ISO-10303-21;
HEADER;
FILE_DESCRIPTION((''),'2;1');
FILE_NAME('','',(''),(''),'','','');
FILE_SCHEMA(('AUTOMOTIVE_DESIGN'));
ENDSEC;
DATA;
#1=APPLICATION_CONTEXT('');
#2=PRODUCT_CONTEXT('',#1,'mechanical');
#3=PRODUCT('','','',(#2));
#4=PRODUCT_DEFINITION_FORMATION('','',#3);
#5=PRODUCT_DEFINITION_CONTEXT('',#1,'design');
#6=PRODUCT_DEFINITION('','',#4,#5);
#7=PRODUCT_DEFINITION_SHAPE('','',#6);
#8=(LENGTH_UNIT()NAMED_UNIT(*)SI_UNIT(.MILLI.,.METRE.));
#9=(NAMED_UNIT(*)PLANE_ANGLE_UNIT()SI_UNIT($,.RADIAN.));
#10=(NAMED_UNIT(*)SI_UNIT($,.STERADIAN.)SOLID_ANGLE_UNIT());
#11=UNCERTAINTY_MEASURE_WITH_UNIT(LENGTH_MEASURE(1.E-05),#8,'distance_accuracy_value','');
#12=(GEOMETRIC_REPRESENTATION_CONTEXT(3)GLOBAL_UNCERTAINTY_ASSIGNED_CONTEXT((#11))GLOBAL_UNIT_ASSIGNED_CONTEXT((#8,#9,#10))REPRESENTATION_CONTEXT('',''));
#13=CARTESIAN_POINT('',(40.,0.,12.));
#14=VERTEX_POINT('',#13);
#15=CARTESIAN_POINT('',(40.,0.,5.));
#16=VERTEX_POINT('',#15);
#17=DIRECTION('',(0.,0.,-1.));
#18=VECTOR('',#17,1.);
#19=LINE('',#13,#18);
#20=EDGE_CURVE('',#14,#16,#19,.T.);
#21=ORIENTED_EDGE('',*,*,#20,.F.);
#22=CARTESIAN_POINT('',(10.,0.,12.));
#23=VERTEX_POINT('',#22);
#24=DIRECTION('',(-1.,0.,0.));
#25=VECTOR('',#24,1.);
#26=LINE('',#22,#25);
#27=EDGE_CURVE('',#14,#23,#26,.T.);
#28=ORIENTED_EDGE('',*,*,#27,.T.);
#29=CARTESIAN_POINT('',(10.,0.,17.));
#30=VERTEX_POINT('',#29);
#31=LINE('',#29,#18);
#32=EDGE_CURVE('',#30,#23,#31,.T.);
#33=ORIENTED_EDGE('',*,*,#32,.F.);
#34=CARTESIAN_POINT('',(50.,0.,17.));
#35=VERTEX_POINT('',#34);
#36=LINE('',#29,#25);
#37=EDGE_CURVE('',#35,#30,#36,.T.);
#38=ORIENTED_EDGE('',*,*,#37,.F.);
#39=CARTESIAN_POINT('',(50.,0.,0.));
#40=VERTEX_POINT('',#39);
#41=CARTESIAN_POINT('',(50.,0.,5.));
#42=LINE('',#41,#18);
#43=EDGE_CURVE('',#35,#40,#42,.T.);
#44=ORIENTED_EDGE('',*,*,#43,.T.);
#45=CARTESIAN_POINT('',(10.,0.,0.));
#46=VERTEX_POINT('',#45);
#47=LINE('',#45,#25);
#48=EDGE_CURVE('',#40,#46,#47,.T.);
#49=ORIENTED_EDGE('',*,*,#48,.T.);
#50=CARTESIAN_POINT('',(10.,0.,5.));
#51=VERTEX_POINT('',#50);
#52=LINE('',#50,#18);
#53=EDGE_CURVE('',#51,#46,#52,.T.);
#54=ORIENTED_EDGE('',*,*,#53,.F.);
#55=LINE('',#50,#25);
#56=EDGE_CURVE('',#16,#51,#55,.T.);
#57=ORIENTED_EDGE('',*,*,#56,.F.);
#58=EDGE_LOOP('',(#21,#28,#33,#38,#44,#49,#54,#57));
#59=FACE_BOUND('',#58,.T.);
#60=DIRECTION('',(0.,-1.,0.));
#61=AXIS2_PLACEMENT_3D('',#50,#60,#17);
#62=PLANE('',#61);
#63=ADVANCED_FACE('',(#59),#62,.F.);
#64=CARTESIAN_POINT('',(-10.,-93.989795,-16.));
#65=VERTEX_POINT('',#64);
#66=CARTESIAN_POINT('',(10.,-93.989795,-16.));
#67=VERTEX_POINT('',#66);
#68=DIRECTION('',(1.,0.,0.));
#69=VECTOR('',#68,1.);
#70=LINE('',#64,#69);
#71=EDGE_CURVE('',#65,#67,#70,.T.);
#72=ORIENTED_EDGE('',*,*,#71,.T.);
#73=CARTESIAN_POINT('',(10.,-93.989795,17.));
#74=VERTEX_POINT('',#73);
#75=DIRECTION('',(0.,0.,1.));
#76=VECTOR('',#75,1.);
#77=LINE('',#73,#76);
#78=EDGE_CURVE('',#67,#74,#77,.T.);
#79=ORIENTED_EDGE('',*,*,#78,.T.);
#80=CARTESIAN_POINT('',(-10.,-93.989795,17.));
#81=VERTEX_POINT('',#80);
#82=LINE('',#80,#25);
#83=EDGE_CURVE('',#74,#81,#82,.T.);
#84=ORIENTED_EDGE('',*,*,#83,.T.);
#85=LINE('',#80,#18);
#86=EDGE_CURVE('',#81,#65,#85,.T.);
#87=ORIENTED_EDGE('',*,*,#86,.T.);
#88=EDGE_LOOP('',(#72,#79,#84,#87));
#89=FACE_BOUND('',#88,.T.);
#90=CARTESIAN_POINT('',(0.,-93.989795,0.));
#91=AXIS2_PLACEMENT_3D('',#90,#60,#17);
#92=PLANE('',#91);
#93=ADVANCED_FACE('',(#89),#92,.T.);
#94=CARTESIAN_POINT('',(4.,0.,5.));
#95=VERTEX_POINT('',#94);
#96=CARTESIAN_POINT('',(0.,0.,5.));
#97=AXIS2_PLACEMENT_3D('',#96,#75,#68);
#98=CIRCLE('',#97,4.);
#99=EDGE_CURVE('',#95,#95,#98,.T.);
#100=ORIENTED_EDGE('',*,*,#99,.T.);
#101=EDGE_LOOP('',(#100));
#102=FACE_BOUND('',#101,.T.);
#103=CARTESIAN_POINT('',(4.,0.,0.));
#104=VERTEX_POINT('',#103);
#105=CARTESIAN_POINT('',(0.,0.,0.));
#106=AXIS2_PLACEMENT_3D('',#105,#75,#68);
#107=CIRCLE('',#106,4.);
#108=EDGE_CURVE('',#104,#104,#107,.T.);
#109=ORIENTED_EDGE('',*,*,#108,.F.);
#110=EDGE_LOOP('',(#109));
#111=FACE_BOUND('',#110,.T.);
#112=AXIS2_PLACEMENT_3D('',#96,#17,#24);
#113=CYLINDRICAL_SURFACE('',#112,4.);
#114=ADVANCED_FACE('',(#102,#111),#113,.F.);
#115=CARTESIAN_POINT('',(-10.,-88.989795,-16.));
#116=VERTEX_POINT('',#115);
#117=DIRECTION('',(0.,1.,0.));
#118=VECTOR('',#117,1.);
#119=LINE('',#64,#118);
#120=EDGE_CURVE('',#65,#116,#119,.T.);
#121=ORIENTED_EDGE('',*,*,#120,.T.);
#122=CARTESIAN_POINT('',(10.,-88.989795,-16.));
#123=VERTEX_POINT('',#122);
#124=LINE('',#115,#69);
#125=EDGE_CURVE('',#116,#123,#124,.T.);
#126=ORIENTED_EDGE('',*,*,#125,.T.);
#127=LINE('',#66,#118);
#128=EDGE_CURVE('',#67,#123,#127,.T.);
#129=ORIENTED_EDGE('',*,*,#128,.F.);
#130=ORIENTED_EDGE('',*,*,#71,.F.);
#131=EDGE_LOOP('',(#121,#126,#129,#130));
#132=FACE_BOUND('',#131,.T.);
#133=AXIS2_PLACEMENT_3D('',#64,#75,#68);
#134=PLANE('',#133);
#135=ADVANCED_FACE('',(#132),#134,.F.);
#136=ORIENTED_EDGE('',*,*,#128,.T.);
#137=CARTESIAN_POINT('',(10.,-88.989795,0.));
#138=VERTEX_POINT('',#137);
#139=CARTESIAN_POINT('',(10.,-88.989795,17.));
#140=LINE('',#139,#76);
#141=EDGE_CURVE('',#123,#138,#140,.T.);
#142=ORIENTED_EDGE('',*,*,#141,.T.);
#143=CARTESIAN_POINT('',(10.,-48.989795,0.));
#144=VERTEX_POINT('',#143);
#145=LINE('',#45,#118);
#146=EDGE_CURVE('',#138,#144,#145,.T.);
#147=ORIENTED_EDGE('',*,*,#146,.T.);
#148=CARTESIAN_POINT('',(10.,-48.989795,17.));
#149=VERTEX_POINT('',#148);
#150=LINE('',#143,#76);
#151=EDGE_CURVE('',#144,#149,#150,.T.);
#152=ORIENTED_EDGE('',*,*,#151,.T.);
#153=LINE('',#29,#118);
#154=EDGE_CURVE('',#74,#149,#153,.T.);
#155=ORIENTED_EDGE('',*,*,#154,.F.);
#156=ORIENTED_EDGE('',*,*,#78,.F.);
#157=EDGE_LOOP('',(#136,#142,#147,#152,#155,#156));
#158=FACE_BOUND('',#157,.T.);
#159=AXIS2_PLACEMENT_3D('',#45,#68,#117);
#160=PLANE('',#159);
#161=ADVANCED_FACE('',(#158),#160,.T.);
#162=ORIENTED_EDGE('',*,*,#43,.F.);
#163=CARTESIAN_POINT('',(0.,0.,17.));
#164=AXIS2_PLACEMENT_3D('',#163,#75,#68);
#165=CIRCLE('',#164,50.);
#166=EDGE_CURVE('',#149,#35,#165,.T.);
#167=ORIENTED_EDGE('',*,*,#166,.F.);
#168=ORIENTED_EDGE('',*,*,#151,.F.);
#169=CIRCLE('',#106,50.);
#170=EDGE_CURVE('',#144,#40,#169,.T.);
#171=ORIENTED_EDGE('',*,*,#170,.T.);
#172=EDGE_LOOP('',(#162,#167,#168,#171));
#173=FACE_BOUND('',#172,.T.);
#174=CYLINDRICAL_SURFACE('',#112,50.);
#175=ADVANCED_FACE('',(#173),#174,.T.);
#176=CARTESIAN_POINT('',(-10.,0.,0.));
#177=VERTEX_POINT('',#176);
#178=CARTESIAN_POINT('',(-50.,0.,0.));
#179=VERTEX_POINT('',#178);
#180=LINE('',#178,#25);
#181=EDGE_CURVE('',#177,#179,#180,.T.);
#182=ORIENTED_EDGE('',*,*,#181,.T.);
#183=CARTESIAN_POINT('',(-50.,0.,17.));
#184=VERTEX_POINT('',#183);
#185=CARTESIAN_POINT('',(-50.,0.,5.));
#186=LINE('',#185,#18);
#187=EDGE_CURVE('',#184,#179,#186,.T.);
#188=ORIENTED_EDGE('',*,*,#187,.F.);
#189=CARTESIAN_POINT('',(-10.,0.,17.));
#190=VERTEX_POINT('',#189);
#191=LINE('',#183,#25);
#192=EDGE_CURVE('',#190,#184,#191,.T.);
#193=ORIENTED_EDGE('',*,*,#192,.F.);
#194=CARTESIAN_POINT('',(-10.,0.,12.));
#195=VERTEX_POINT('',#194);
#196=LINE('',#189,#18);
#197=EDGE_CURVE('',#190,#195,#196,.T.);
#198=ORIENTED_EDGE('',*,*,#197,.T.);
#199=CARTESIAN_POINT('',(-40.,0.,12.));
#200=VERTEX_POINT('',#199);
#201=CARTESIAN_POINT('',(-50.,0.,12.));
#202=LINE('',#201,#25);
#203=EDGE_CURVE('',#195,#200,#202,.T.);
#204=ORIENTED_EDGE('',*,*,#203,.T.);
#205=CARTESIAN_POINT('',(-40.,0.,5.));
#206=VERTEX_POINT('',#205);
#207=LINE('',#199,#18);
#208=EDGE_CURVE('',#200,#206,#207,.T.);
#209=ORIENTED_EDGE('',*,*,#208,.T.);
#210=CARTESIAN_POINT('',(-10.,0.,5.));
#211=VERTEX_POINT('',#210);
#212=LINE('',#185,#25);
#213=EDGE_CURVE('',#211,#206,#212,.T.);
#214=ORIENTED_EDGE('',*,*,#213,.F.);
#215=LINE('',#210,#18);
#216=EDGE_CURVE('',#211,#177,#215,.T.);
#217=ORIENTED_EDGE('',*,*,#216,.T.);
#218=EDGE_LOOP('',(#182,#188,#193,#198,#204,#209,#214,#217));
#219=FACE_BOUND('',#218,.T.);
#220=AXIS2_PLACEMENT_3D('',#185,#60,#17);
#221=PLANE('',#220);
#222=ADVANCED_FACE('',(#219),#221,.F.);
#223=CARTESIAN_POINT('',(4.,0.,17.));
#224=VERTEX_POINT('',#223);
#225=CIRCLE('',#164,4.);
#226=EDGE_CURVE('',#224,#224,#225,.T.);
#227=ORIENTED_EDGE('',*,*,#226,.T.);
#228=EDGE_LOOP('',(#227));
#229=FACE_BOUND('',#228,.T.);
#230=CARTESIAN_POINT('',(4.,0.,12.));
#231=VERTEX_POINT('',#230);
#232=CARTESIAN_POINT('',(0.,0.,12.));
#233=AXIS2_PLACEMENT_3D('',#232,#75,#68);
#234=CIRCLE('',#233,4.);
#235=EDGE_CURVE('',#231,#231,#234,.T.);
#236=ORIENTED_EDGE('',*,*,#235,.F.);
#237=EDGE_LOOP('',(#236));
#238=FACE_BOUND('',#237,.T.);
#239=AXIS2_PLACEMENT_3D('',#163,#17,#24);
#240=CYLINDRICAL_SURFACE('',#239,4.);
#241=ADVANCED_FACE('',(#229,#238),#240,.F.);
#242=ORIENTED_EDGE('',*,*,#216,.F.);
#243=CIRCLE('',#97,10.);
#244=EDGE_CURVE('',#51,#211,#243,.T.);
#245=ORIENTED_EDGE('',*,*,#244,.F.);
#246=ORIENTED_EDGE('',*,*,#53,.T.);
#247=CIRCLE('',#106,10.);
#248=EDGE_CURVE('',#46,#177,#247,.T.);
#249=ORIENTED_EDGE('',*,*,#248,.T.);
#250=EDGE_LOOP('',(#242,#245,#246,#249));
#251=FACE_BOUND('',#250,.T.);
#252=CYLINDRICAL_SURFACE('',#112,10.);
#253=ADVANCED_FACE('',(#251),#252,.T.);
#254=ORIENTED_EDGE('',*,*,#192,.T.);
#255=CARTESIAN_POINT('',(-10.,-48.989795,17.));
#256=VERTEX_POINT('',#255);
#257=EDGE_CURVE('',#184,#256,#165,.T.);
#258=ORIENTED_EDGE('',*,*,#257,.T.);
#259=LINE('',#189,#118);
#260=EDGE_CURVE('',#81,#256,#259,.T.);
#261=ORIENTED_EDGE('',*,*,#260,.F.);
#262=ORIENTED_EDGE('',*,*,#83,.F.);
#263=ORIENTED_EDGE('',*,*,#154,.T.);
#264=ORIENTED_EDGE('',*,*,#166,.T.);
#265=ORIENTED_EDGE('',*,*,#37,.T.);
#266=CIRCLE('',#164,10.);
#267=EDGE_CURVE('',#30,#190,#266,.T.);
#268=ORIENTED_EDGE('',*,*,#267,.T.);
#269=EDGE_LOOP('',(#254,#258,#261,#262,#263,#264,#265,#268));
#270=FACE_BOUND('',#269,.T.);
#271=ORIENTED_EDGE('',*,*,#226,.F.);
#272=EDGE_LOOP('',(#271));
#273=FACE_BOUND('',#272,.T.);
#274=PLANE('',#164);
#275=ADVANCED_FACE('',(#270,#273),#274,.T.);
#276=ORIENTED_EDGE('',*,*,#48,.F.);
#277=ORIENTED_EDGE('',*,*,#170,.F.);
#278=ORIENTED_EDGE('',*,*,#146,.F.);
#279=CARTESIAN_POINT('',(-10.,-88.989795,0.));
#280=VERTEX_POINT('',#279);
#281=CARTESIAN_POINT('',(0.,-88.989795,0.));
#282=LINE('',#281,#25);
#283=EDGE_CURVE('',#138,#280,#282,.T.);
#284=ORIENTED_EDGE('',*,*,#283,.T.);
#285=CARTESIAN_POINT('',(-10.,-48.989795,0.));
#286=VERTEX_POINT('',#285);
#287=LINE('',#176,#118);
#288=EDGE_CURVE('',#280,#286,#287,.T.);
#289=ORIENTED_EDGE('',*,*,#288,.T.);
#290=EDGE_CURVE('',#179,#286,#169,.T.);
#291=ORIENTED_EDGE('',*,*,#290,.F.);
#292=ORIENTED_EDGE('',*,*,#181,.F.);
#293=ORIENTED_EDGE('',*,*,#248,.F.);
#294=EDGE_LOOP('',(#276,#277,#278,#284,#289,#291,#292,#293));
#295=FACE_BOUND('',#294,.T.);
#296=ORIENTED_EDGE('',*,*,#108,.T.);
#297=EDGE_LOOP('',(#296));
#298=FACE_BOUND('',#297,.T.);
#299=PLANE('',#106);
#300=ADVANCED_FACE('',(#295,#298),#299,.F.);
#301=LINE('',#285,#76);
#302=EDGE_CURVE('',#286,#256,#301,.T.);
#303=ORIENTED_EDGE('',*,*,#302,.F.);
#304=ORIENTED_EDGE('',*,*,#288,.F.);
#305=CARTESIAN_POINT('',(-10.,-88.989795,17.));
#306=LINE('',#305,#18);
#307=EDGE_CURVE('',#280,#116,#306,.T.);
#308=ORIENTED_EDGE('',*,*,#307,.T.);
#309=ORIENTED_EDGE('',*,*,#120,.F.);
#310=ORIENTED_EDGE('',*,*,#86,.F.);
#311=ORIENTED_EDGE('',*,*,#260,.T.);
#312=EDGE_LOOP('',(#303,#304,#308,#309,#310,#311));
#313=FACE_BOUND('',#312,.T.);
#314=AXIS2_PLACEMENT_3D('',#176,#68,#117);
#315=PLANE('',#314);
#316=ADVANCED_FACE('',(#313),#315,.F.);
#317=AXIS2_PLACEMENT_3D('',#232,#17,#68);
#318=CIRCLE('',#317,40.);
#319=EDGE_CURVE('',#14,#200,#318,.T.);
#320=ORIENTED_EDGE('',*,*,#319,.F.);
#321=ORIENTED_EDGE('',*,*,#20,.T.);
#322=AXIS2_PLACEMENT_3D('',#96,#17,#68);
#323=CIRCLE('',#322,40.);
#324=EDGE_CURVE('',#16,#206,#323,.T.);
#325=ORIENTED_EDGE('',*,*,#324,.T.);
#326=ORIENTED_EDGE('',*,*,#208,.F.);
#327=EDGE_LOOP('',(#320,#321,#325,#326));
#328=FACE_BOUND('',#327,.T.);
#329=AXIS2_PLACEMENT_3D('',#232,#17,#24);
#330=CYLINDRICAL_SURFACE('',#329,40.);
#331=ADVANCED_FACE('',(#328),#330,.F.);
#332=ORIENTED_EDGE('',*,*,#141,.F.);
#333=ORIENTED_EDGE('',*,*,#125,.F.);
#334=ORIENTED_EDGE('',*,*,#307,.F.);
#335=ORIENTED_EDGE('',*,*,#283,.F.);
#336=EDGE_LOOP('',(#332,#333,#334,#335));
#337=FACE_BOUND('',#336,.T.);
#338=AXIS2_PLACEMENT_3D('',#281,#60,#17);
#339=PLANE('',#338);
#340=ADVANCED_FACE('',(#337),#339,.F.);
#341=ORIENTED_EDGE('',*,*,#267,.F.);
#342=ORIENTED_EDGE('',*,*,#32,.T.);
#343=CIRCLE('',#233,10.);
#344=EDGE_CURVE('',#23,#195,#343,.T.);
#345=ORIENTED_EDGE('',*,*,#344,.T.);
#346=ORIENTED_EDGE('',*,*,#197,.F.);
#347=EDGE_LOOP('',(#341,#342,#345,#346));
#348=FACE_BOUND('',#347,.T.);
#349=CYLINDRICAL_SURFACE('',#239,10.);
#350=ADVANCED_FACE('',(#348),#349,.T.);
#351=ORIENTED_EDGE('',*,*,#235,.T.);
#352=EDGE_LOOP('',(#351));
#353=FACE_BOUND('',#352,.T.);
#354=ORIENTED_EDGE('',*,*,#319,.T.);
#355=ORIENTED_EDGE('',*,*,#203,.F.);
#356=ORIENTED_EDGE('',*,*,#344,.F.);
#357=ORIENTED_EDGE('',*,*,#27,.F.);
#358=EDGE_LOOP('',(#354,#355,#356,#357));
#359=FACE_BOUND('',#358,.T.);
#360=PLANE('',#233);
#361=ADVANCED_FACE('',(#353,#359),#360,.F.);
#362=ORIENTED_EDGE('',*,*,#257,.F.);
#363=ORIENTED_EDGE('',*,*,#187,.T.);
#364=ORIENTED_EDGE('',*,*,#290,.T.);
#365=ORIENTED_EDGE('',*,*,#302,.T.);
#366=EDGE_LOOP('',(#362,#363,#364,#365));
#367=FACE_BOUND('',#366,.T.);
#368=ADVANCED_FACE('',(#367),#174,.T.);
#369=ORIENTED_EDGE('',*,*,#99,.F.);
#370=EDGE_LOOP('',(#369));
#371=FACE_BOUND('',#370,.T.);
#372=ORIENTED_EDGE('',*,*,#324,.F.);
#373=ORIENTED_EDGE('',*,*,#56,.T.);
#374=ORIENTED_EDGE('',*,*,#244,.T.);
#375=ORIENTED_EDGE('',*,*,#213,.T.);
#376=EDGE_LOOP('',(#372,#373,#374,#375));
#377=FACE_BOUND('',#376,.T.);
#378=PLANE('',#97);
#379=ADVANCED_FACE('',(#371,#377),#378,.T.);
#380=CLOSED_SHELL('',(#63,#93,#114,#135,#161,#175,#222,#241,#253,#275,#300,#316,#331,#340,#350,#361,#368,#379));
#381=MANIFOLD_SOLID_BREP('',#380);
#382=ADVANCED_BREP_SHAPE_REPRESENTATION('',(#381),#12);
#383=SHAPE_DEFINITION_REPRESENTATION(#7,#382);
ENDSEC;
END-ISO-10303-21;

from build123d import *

# Parameters (mm, degrees)
SKETCH1_R           = 4
BOSS_EXTRUDE1_DEPTH = 5
BOSS_EXTRUDE2_DEPTH = 7
SKETCH3_R           = 4
BOSS_EXTRUDE3_DEPTH = 5
BOSS_EXTRUDE4_START = -17
BOSS_EXTRUDE4_DEPTH = 17
SKETCH5_W           = 20
SKETCH5_H           = 33
BOSS_EXTRUDE5_DEPTH = 5


with BuildPart() as part:
    # Sketch1 → Boss-Extrude1 (new body)
    with BuildSketch(Plane.XY):
        with BuildLine():
            Line((-50, 0), (-10, 0))
            ThreePointArc((-10, 0), (0, 10), (10, 0))
            Line((10, 0), (50, 0))
            ThreePointArc((50, 0), (0, -50), (-50, 0))
        make_face()
        Circle(SKETCH1_R, mode=Mode.SUBTRACT)
    extrude(amount=BOSS_EXTRUDE1_DEPTH)

    # Sketch2 → Boss-Extrude2 (add)
    with BuildSketch(Plane.XY.offset(5)):
        with BuildLine():
            Line((-50, 0), (-40, 0))
            ThreePointArc((-40, 0), (0, -40), (40, 0))
            Line((40, 0), (50, 0))
            ThreePointArc((50, 0), (0, -50), (-50, 0))
        make_face()
    extrude(amount=BOSS_EXTRUDE2_DEPTH)

    # Sketch3 → Boss-Extrude3 (add)
    with BuildSketch(Plane.XY.offset(12)):
        with BuildLine():
            Line((-50, 0), (-10, 0))
            ThreePointArc((-10, 0), (0, 10), (10, 0))
            Line((10, 0), (50, 0))
            ThreePointArc((50, 0), (0, -50), (-50, 0))
        make_face()
        Circle(SKETCH3_R, mode=Mode.SUBTRACT)
    extrude(amount=BOSS_EXTRUDE3_DEPTH)

    # Sketch4 → Boss-Extrude4 (add)
    with BuildSketch(Plane.XY.offset(17).offset(BOSS_EXTRUDE4_START)):
        with BuildLine():
            Line((-10, -88.989794856), (10, -88.989794856))
            Line((10, -88.989794856), (10, -48.989794856))
            ThreePointArc((10, -48.989794856), (0, -50), (-10, -48.989794856))
            Line((-10, -48.989794856), (-10, -88.989794856))
        make_face()
    extrude(amount=BOSS_EXTRUDE4_DEPTH)

    # Sketch5 → Boss-Extrude5 (add)
    with BuildSketch(Plane.XZ.offset(88.989794856)):
        with Locations((0, 0.5)):
            Rectangle(SKETCH5_W, SKETCH5_H)
    extrude(amount=BOSS_EXTRUDE5_DEPTH)


solid = part.part
